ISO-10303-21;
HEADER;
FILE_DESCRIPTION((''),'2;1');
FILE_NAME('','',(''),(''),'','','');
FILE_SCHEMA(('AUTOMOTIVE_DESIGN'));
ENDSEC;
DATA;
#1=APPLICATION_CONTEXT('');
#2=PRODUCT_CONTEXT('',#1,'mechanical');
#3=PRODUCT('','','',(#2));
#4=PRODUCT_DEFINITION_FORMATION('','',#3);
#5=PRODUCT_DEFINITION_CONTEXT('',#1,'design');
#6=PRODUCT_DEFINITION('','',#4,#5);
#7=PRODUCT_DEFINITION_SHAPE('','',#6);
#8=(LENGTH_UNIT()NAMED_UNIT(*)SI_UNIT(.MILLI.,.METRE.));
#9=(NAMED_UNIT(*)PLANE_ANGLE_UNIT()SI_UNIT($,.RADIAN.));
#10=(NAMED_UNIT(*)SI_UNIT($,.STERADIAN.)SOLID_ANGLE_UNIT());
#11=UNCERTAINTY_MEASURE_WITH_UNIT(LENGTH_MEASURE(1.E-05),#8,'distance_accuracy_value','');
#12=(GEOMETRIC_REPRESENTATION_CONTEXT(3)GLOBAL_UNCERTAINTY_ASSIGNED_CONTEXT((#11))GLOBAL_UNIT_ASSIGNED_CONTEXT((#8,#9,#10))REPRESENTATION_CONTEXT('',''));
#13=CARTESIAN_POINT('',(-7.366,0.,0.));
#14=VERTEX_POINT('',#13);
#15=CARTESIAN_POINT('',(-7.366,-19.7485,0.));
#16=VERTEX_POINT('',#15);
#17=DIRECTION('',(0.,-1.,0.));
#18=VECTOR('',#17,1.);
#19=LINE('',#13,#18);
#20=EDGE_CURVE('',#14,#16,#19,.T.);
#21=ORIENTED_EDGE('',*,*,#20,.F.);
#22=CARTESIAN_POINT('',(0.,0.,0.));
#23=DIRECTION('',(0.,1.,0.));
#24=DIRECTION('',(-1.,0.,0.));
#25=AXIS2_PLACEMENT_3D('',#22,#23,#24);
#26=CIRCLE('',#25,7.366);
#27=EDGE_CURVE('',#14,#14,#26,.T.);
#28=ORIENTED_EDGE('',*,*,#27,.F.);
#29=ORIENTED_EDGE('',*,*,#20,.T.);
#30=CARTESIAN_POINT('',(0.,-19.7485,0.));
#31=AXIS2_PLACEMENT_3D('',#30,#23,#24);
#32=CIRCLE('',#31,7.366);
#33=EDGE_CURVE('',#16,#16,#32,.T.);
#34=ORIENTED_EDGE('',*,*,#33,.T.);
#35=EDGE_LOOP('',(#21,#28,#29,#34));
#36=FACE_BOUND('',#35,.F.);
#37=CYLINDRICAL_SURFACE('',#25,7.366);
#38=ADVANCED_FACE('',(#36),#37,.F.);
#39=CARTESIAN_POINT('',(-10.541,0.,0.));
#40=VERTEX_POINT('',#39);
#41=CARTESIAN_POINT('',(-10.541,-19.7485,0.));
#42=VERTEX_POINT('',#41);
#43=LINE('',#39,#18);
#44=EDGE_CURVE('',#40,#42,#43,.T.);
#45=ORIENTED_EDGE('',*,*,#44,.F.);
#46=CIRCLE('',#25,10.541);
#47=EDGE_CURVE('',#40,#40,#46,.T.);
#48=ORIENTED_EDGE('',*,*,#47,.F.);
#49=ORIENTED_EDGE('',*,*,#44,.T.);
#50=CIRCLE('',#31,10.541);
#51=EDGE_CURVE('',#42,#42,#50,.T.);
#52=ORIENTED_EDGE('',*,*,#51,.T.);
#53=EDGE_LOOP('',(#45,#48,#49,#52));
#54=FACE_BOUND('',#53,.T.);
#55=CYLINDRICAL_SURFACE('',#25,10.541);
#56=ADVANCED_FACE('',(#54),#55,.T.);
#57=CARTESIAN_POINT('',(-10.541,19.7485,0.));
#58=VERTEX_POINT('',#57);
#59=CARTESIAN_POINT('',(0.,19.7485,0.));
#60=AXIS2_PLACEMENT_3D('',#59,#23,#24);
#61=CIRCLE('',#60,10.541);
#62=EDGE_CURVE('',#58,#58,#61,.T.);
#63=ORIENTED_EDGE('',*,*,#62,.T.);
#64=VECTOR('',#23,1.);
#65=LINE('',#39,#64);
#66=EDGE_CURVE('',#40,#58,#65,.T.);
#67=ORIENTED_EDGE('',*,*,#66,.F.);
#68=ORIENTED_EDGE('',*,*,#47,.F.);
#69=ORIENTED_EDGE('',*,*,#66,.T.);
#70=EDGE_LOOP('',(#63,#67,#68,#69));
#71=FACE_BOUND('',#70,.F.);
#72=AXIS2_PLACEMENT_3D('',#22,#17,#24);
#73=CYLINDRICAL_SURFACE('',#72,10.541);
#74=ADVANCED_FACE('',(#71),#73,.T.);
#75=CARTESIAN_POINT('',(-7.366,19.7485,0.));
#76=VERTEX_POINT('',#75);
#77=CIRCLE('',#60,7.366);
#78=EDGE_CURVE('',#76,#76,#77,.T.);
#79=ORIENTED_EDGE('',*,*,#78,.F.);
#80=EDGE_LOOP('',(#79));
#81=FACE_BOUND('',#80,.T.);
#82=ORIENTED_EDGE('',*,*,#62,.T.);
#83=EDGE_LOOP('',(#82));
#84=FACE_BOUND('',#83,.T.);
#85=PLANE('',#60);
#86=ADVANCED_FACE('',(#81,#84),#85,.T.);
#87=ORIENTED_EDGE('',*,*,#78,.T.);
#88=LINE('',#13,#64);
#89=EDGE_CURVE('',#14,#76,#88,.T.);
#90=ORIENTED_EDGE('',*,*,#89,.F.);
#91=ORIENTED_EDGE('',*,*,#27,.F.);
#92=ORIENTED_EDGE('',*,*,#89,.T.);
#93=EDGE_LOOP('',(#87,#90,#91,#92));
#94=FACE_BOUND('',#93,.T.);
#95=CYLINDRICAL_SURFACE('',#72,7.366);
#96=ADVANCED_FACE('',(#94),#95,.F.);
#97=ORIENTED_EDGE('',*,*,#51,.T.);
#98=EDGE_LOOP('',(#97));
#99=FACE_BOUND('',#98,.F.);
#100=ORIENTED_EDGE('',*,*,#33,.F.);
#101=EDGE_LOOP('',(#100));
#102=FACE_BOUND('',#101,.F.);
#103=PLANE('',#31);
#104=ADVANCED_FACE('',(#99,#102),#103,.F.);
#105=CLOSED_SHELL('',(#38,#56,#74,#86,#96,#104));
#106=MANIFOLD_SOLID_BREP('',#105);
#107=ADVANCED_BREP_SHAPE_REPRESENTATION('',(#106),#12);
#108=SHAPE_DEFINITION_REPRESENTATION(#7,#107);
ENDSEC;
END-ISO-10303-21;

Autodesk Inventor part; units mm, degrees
ref_plane "YZ Plane" through (0, 0, 0) normal (1, 0, 0) x (0, 1, 0)
ref_plane "XZ Plane" through (0, 0, 0) normal (0, 1, 0) x (-1, 0, 0)
ref_plane "XY Plane" through (0, 0, 0) normal (0, 0, 1) x (1, 0, 0)
sketch "Sketch1" plane through (0, 0, 0) normal (0, 1, 0) x (-1, 0, 0)
  circle A0 centre (0, 0) radius 7.366
  circle A1 centre (0, 0) radius 10.541
  dimension "d0" = 14.732
  dimension "d1" = 3.175
extrude "Extrusion1" add sketch "Sketch1" along normal mid plane 39.497
properties part number "CL-S-003" material "ABS Plastic"
